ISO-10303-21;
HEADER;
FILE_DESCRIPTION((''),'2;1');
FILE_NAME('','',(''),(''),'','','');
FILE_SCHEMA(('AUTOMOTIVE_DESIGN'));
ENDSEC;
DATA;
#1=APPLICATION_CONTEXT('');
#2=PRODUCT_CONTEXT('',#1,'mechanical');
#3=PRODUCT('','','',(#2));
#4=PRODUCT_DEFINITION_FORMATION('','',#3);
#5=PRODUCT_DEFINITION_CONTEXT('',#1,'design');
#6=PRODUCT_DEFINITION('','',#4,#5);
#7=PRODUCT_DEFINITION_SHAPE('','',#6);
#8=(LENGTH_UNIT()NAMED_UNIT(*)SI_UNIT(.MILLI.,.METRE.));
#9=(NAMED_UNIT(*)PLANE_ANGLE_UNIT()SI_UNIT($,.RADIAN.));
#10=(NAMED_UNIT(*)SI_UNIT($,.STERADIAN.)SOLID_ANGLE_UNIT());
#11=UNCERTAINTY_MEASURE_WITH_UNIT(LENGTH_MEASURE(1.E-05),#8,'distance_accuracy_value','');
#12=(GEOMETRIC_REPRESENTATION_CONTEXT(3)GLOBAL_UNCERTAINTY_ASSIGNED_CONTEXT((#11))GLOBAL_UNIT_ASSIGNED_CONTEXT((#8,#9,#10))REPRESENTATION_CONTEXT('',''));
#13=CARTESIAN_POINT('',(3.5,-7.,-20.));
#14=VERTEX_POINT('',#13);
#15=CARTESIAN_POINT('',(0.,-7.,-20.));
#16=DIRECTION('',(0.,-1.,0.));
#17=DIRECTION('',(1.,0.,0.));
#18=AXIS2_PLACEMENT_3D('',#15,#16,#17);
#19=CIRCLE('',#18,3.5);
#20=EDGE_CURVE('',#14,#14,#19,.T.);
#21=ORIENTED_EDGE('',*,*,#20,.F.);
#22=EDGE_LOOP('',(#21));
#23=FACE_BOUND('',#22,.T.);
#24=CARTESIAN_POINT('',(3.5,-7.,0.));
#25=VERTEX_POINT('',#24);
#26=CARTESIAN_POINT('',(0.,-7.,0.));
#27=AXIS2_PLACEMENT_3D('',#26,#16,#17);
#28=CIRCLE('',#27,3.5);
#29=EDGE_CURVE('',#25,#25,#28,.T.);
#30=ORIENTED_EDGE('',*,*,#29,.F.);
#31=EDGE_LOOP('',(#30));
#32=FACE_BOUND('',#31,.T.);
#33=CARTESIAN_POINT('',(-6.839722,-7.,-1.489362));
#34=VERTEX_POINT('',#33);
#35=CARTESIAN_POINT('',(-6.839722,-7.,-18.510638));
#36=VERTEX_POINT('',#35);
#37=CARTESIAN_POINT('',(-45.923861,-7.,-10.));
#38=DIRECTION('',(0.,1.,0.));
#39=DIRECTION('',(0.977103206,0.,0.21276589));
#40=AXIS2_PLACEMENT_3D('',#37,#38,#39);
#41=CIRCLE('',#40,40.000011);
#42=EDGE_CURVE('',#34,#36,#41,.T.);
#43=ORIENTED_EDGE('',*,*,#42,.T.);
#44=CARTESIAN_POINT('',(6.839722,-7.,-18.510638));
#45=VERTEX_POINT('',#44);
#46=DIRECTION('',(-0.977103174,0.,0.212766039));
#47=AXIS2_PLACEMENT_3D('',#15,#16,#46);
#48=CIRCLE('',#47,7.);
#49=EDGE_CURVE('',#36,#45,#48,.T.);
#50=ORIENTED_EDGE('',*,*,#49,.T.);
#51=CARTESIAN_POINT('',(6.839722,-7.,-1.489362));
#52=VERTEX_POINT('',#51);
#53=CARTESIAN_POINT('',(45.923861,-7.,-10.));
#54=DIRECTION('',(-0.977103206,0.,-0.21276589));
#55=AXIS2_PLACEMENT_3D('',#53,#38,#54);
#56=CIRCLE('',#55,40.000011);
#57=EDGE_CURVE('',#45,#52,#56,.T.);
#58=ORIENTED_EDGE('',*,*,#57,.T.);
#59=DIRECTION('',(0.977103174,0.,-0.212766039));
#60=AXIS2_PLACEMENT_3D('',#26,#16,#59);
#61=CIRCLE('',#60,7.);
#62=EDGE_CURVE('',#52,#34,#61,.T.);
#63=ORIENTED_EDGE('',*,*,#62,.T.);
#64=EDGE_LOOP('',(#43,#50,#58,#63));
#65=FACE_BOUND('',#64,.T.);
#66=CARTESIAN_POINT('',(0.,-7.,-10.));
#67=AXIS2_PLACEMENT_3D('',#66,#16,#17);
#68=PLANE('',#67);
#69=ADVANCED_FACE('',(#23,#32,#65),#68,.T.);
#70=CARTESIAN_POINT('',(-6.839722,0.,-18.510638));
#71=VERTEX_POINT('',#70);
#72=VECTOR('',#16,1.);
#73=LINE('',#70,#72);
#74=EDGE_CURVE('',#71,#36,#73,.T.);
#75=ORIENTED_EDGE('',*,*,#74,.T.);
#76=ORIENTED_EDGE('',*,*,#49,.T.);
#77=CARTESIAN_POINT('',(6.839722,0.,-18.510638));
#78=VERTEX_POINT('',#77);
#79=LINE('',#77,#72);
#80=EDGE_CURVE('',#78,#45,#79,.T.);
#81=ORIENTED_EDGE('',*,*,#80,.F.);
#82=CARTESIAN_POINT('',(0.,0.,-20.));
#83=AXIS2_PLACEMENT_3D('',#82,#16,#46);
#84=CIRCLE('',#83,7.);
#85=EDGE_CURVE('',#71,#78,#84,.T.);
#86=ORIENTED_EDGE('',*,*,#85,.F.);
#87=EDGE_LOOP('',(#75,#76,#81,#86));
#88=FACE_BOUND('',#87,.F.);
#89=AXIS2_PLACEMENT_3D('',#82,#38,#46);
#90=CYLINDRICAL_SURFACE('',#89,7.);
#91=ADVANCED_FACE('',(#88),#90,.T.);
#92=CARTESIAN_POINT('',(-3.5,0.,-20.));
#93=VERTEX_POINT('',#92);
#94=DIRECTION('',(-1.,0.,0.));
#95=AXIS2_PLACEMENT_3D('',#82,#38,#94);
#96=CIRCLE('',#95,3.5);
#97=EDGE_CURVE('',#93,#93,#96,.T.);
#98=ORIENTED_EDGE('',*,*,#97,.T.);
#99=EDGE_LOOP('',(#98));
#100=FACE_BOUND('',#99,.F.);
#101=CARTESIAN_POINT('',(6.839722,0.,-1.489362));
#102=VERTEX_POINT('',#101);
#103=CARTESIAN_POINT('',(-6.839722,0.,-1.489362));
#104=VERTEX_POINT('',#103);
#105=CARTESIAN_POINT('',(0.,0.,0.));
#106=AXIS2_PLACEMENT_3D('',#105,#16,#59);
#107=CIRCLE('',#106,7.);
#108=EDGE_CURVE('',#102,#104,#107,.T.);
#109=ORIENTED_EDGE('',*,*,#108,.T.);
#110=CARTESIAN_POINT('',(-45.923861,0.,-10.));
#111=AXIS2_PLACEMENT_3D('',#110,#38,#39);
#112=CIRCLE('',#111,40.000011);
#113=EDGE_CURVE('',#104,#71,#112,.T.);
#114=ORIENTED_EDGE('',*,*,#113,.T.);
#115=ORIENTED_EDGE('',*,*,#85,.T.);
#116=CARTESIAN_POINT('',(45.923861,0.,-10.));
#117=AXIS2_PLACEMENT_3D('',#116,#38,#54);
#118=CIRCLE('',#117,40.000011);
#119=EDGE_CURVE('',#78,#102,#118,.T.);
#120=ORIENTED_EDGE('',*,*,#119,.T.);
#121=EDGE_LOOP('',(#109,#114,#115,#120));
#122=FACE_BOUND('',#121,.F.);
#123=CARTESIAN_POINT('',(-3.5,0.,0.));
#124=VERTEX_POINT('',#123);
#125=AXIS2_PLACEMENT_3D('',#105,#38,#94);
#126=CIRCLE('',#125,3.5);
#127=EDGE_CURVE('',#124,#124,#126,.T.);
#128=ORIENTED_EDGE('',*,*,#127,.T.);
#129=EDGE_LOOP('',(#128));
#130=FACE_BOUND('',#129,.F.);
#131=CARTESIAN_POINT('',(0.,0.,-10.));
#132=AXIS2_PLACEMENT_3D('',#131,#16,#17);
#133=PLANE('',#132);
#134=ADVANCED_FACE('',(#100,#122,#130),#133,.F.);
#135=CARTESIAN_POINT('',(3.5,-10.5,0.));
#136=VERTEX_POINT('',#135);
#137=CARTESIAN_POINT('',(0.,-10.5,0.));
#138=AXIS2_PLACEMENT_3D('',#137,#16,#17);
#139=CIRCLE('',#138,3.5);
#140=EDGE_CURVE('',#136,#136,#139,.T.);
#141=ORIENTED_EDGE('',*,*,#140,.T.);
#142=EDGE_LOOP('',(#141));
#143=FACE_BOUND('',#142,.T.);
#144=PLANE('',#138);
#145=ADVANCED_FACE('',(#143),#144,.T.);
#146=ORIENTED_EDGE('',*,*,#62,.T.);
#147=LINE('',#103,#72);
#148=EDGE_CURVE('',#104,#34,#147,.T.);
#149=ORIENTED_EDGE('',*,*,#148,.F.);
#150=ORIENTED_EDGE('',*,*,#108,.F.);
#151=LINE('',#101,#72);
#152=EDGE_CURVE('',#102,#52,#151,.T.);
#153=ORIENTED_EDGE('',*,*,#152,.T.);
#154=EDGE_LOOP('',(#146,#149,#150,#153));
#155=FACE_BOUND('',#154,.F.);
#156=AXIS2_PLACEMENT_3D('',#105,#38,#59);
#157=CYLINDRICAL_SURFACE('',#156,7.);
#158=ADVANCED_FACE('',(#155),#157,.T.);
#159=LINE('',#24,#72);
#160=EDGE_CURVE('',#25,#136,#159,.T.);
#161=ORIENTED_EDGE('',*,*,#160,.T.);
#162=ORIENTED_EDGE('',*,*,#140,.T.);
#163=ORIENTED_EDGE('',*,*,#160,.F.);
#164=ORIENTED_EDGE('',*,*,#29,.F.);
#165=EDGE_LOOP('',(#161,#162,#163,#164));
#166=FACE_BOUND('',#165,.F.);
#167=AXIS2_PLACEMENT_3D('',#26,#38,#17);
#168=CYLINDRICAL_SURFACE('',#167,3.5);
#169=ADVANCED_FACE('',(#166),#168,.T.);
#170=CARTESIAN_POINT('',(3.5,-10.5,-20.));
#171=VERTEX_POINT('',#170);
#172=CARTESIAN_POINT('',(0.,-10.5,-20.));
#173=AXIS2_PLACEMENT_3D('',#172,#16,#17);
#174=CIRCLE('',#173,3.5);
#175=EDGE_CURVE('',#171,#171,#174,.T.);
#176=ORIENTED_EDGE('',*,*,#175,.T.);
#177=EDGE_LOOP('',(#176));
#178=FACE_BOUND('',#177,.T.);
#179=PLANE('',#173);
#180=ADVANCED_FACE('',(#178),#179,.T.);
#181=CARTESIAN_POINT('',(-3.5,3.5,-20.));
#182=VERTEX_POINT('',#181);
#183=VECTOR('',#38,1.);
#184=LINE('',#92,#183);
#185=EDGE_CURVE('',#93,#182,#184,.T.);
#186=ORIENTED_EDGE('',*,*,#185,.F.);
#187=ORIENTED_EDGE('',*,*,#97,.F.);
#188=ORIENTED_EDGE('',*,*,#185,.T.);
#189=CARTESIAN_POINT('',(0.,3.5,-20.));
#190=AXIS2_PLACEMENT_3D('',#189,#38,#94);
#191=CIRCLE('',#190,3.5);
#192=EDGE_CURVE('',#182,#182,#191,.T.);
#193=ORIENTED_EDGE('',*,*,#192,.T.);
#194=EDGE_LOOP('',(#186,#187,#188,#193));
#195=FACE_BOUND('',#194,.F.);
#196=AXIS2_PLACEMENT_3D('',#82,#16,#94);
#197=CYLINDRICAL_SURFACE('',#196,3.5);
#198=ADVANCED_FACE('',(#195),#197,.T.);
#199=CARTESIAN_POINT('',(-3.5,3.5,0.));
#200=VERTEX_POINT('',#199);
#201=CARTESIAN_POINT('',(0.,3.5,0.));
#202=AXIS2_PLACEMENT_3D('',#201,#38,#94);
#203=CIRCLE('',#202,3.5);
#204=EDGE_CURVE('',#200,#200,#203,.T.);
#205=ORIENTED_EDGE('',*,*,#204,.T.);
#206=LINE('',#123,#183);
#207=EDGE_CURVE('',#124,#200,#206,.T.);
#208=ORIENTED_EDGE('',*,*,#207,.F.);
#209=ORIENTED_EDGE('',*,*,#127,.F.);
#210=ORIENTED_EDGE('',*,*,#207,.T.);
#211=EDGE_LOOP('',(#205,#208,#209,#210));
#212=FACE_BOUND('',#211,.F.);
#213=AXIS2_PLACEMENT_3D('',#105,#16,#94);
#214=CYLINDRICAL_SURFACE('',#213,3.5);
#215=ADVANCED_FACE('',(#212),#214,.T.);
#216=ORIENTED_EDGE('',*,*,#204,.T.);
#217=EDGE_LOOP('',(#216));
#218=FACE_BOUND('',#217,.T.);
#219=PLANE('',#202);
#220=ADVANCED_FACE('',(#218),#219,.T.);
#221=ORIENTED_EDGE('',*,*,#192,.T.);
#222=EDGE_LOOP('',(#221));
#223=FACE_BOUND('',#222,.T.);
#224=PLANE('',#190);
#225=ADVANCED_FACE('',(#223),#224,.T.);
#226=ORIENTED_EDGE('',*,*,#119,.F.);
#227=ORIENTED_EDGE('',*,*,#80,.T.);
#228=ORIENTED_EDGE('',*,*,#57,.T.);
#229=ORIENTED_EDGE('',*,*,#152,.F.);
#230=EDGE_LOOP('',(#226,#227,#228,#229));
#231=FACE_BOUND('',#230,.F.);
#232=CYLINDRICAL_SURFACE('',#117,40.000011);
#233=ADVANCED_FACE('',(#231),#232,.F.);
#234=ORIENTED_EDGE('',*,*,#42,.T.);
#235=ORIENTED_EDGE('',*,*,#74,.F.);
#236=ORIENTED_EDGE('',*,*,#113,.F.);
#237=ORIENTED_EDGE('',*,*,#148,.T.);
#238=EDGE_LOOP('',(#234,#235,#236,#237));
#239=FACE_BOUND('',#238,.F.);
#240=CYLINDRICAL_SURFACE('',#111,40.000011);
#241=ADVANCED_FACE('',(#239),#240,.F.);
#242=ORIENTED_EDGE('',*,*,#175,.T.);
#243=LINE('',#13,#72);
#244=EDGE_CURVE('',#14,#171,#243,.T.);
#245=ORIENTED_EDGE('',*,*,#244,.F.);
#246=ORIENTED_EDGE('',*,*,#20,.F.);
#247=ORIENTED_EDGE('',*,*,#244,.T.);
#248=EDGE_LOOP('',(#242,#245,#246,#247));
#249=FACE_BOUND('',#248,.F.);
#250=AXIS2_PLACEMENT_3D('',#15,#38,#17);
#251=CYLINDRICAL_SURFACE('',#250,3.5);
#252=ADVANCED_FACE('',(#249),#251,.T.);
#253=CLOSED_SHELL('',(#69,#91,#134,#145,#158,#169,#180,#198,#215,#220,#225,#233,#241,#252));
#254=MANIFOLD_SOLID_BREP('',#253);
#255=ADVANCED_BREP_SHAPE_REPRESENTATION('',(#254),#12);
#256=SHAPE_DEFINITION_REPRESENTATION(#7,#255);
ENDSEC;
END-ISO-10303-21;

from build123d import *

# Parameters (mm, degrees)
F1_DEPTH = 7
F2_R     = 3.5
F3_DEPTH = 3.5
F4_R     = 3.5
F5_DEPTH = 3.5


with BuildPart() as f1:
    # F0 (on Front) → F1 (new body)
    with BuildSketch(Plane.XZ):
        with BuildLine():
            ThreePointArc((6.839722, -18.510638), (5.92385, -10), (6.839722, -1.489362))
            ThreePointArc((6.839722, -1.489362), (0, 7), (-6.839722, -1.489362))
            ThreePointArc((-6.839722, -1.489362), (-5.92385, -10), (-6.839722, -18.510638))
            ThreePointArc((-6.839722, -18.510638), (0, -27), (6.839722, -18.510638))
        make_face()
    extrude(amount=F1_DEPTH)

    # F2 (on face) → F3 (join)
    with BuildSketch(Plane(origin=(0, 0, 0), x_dir=(-1, 0, 0), z_dir=(0, 1, 0))):
        Circle(F2_R)
        with Locations((0, -20)):
            Circle(F2_R)
    extrude(amount=F3_DEPTH)

    # F4 (on face) → F5 (join)
    with BuildSketch(Plane.XZ.offset(7)):
        Circle(F4_R)
        with Locations((0, -20)):
            Circle(F4_R)
    extrude(amount=F5_DEPTH)


solid = f1.part
